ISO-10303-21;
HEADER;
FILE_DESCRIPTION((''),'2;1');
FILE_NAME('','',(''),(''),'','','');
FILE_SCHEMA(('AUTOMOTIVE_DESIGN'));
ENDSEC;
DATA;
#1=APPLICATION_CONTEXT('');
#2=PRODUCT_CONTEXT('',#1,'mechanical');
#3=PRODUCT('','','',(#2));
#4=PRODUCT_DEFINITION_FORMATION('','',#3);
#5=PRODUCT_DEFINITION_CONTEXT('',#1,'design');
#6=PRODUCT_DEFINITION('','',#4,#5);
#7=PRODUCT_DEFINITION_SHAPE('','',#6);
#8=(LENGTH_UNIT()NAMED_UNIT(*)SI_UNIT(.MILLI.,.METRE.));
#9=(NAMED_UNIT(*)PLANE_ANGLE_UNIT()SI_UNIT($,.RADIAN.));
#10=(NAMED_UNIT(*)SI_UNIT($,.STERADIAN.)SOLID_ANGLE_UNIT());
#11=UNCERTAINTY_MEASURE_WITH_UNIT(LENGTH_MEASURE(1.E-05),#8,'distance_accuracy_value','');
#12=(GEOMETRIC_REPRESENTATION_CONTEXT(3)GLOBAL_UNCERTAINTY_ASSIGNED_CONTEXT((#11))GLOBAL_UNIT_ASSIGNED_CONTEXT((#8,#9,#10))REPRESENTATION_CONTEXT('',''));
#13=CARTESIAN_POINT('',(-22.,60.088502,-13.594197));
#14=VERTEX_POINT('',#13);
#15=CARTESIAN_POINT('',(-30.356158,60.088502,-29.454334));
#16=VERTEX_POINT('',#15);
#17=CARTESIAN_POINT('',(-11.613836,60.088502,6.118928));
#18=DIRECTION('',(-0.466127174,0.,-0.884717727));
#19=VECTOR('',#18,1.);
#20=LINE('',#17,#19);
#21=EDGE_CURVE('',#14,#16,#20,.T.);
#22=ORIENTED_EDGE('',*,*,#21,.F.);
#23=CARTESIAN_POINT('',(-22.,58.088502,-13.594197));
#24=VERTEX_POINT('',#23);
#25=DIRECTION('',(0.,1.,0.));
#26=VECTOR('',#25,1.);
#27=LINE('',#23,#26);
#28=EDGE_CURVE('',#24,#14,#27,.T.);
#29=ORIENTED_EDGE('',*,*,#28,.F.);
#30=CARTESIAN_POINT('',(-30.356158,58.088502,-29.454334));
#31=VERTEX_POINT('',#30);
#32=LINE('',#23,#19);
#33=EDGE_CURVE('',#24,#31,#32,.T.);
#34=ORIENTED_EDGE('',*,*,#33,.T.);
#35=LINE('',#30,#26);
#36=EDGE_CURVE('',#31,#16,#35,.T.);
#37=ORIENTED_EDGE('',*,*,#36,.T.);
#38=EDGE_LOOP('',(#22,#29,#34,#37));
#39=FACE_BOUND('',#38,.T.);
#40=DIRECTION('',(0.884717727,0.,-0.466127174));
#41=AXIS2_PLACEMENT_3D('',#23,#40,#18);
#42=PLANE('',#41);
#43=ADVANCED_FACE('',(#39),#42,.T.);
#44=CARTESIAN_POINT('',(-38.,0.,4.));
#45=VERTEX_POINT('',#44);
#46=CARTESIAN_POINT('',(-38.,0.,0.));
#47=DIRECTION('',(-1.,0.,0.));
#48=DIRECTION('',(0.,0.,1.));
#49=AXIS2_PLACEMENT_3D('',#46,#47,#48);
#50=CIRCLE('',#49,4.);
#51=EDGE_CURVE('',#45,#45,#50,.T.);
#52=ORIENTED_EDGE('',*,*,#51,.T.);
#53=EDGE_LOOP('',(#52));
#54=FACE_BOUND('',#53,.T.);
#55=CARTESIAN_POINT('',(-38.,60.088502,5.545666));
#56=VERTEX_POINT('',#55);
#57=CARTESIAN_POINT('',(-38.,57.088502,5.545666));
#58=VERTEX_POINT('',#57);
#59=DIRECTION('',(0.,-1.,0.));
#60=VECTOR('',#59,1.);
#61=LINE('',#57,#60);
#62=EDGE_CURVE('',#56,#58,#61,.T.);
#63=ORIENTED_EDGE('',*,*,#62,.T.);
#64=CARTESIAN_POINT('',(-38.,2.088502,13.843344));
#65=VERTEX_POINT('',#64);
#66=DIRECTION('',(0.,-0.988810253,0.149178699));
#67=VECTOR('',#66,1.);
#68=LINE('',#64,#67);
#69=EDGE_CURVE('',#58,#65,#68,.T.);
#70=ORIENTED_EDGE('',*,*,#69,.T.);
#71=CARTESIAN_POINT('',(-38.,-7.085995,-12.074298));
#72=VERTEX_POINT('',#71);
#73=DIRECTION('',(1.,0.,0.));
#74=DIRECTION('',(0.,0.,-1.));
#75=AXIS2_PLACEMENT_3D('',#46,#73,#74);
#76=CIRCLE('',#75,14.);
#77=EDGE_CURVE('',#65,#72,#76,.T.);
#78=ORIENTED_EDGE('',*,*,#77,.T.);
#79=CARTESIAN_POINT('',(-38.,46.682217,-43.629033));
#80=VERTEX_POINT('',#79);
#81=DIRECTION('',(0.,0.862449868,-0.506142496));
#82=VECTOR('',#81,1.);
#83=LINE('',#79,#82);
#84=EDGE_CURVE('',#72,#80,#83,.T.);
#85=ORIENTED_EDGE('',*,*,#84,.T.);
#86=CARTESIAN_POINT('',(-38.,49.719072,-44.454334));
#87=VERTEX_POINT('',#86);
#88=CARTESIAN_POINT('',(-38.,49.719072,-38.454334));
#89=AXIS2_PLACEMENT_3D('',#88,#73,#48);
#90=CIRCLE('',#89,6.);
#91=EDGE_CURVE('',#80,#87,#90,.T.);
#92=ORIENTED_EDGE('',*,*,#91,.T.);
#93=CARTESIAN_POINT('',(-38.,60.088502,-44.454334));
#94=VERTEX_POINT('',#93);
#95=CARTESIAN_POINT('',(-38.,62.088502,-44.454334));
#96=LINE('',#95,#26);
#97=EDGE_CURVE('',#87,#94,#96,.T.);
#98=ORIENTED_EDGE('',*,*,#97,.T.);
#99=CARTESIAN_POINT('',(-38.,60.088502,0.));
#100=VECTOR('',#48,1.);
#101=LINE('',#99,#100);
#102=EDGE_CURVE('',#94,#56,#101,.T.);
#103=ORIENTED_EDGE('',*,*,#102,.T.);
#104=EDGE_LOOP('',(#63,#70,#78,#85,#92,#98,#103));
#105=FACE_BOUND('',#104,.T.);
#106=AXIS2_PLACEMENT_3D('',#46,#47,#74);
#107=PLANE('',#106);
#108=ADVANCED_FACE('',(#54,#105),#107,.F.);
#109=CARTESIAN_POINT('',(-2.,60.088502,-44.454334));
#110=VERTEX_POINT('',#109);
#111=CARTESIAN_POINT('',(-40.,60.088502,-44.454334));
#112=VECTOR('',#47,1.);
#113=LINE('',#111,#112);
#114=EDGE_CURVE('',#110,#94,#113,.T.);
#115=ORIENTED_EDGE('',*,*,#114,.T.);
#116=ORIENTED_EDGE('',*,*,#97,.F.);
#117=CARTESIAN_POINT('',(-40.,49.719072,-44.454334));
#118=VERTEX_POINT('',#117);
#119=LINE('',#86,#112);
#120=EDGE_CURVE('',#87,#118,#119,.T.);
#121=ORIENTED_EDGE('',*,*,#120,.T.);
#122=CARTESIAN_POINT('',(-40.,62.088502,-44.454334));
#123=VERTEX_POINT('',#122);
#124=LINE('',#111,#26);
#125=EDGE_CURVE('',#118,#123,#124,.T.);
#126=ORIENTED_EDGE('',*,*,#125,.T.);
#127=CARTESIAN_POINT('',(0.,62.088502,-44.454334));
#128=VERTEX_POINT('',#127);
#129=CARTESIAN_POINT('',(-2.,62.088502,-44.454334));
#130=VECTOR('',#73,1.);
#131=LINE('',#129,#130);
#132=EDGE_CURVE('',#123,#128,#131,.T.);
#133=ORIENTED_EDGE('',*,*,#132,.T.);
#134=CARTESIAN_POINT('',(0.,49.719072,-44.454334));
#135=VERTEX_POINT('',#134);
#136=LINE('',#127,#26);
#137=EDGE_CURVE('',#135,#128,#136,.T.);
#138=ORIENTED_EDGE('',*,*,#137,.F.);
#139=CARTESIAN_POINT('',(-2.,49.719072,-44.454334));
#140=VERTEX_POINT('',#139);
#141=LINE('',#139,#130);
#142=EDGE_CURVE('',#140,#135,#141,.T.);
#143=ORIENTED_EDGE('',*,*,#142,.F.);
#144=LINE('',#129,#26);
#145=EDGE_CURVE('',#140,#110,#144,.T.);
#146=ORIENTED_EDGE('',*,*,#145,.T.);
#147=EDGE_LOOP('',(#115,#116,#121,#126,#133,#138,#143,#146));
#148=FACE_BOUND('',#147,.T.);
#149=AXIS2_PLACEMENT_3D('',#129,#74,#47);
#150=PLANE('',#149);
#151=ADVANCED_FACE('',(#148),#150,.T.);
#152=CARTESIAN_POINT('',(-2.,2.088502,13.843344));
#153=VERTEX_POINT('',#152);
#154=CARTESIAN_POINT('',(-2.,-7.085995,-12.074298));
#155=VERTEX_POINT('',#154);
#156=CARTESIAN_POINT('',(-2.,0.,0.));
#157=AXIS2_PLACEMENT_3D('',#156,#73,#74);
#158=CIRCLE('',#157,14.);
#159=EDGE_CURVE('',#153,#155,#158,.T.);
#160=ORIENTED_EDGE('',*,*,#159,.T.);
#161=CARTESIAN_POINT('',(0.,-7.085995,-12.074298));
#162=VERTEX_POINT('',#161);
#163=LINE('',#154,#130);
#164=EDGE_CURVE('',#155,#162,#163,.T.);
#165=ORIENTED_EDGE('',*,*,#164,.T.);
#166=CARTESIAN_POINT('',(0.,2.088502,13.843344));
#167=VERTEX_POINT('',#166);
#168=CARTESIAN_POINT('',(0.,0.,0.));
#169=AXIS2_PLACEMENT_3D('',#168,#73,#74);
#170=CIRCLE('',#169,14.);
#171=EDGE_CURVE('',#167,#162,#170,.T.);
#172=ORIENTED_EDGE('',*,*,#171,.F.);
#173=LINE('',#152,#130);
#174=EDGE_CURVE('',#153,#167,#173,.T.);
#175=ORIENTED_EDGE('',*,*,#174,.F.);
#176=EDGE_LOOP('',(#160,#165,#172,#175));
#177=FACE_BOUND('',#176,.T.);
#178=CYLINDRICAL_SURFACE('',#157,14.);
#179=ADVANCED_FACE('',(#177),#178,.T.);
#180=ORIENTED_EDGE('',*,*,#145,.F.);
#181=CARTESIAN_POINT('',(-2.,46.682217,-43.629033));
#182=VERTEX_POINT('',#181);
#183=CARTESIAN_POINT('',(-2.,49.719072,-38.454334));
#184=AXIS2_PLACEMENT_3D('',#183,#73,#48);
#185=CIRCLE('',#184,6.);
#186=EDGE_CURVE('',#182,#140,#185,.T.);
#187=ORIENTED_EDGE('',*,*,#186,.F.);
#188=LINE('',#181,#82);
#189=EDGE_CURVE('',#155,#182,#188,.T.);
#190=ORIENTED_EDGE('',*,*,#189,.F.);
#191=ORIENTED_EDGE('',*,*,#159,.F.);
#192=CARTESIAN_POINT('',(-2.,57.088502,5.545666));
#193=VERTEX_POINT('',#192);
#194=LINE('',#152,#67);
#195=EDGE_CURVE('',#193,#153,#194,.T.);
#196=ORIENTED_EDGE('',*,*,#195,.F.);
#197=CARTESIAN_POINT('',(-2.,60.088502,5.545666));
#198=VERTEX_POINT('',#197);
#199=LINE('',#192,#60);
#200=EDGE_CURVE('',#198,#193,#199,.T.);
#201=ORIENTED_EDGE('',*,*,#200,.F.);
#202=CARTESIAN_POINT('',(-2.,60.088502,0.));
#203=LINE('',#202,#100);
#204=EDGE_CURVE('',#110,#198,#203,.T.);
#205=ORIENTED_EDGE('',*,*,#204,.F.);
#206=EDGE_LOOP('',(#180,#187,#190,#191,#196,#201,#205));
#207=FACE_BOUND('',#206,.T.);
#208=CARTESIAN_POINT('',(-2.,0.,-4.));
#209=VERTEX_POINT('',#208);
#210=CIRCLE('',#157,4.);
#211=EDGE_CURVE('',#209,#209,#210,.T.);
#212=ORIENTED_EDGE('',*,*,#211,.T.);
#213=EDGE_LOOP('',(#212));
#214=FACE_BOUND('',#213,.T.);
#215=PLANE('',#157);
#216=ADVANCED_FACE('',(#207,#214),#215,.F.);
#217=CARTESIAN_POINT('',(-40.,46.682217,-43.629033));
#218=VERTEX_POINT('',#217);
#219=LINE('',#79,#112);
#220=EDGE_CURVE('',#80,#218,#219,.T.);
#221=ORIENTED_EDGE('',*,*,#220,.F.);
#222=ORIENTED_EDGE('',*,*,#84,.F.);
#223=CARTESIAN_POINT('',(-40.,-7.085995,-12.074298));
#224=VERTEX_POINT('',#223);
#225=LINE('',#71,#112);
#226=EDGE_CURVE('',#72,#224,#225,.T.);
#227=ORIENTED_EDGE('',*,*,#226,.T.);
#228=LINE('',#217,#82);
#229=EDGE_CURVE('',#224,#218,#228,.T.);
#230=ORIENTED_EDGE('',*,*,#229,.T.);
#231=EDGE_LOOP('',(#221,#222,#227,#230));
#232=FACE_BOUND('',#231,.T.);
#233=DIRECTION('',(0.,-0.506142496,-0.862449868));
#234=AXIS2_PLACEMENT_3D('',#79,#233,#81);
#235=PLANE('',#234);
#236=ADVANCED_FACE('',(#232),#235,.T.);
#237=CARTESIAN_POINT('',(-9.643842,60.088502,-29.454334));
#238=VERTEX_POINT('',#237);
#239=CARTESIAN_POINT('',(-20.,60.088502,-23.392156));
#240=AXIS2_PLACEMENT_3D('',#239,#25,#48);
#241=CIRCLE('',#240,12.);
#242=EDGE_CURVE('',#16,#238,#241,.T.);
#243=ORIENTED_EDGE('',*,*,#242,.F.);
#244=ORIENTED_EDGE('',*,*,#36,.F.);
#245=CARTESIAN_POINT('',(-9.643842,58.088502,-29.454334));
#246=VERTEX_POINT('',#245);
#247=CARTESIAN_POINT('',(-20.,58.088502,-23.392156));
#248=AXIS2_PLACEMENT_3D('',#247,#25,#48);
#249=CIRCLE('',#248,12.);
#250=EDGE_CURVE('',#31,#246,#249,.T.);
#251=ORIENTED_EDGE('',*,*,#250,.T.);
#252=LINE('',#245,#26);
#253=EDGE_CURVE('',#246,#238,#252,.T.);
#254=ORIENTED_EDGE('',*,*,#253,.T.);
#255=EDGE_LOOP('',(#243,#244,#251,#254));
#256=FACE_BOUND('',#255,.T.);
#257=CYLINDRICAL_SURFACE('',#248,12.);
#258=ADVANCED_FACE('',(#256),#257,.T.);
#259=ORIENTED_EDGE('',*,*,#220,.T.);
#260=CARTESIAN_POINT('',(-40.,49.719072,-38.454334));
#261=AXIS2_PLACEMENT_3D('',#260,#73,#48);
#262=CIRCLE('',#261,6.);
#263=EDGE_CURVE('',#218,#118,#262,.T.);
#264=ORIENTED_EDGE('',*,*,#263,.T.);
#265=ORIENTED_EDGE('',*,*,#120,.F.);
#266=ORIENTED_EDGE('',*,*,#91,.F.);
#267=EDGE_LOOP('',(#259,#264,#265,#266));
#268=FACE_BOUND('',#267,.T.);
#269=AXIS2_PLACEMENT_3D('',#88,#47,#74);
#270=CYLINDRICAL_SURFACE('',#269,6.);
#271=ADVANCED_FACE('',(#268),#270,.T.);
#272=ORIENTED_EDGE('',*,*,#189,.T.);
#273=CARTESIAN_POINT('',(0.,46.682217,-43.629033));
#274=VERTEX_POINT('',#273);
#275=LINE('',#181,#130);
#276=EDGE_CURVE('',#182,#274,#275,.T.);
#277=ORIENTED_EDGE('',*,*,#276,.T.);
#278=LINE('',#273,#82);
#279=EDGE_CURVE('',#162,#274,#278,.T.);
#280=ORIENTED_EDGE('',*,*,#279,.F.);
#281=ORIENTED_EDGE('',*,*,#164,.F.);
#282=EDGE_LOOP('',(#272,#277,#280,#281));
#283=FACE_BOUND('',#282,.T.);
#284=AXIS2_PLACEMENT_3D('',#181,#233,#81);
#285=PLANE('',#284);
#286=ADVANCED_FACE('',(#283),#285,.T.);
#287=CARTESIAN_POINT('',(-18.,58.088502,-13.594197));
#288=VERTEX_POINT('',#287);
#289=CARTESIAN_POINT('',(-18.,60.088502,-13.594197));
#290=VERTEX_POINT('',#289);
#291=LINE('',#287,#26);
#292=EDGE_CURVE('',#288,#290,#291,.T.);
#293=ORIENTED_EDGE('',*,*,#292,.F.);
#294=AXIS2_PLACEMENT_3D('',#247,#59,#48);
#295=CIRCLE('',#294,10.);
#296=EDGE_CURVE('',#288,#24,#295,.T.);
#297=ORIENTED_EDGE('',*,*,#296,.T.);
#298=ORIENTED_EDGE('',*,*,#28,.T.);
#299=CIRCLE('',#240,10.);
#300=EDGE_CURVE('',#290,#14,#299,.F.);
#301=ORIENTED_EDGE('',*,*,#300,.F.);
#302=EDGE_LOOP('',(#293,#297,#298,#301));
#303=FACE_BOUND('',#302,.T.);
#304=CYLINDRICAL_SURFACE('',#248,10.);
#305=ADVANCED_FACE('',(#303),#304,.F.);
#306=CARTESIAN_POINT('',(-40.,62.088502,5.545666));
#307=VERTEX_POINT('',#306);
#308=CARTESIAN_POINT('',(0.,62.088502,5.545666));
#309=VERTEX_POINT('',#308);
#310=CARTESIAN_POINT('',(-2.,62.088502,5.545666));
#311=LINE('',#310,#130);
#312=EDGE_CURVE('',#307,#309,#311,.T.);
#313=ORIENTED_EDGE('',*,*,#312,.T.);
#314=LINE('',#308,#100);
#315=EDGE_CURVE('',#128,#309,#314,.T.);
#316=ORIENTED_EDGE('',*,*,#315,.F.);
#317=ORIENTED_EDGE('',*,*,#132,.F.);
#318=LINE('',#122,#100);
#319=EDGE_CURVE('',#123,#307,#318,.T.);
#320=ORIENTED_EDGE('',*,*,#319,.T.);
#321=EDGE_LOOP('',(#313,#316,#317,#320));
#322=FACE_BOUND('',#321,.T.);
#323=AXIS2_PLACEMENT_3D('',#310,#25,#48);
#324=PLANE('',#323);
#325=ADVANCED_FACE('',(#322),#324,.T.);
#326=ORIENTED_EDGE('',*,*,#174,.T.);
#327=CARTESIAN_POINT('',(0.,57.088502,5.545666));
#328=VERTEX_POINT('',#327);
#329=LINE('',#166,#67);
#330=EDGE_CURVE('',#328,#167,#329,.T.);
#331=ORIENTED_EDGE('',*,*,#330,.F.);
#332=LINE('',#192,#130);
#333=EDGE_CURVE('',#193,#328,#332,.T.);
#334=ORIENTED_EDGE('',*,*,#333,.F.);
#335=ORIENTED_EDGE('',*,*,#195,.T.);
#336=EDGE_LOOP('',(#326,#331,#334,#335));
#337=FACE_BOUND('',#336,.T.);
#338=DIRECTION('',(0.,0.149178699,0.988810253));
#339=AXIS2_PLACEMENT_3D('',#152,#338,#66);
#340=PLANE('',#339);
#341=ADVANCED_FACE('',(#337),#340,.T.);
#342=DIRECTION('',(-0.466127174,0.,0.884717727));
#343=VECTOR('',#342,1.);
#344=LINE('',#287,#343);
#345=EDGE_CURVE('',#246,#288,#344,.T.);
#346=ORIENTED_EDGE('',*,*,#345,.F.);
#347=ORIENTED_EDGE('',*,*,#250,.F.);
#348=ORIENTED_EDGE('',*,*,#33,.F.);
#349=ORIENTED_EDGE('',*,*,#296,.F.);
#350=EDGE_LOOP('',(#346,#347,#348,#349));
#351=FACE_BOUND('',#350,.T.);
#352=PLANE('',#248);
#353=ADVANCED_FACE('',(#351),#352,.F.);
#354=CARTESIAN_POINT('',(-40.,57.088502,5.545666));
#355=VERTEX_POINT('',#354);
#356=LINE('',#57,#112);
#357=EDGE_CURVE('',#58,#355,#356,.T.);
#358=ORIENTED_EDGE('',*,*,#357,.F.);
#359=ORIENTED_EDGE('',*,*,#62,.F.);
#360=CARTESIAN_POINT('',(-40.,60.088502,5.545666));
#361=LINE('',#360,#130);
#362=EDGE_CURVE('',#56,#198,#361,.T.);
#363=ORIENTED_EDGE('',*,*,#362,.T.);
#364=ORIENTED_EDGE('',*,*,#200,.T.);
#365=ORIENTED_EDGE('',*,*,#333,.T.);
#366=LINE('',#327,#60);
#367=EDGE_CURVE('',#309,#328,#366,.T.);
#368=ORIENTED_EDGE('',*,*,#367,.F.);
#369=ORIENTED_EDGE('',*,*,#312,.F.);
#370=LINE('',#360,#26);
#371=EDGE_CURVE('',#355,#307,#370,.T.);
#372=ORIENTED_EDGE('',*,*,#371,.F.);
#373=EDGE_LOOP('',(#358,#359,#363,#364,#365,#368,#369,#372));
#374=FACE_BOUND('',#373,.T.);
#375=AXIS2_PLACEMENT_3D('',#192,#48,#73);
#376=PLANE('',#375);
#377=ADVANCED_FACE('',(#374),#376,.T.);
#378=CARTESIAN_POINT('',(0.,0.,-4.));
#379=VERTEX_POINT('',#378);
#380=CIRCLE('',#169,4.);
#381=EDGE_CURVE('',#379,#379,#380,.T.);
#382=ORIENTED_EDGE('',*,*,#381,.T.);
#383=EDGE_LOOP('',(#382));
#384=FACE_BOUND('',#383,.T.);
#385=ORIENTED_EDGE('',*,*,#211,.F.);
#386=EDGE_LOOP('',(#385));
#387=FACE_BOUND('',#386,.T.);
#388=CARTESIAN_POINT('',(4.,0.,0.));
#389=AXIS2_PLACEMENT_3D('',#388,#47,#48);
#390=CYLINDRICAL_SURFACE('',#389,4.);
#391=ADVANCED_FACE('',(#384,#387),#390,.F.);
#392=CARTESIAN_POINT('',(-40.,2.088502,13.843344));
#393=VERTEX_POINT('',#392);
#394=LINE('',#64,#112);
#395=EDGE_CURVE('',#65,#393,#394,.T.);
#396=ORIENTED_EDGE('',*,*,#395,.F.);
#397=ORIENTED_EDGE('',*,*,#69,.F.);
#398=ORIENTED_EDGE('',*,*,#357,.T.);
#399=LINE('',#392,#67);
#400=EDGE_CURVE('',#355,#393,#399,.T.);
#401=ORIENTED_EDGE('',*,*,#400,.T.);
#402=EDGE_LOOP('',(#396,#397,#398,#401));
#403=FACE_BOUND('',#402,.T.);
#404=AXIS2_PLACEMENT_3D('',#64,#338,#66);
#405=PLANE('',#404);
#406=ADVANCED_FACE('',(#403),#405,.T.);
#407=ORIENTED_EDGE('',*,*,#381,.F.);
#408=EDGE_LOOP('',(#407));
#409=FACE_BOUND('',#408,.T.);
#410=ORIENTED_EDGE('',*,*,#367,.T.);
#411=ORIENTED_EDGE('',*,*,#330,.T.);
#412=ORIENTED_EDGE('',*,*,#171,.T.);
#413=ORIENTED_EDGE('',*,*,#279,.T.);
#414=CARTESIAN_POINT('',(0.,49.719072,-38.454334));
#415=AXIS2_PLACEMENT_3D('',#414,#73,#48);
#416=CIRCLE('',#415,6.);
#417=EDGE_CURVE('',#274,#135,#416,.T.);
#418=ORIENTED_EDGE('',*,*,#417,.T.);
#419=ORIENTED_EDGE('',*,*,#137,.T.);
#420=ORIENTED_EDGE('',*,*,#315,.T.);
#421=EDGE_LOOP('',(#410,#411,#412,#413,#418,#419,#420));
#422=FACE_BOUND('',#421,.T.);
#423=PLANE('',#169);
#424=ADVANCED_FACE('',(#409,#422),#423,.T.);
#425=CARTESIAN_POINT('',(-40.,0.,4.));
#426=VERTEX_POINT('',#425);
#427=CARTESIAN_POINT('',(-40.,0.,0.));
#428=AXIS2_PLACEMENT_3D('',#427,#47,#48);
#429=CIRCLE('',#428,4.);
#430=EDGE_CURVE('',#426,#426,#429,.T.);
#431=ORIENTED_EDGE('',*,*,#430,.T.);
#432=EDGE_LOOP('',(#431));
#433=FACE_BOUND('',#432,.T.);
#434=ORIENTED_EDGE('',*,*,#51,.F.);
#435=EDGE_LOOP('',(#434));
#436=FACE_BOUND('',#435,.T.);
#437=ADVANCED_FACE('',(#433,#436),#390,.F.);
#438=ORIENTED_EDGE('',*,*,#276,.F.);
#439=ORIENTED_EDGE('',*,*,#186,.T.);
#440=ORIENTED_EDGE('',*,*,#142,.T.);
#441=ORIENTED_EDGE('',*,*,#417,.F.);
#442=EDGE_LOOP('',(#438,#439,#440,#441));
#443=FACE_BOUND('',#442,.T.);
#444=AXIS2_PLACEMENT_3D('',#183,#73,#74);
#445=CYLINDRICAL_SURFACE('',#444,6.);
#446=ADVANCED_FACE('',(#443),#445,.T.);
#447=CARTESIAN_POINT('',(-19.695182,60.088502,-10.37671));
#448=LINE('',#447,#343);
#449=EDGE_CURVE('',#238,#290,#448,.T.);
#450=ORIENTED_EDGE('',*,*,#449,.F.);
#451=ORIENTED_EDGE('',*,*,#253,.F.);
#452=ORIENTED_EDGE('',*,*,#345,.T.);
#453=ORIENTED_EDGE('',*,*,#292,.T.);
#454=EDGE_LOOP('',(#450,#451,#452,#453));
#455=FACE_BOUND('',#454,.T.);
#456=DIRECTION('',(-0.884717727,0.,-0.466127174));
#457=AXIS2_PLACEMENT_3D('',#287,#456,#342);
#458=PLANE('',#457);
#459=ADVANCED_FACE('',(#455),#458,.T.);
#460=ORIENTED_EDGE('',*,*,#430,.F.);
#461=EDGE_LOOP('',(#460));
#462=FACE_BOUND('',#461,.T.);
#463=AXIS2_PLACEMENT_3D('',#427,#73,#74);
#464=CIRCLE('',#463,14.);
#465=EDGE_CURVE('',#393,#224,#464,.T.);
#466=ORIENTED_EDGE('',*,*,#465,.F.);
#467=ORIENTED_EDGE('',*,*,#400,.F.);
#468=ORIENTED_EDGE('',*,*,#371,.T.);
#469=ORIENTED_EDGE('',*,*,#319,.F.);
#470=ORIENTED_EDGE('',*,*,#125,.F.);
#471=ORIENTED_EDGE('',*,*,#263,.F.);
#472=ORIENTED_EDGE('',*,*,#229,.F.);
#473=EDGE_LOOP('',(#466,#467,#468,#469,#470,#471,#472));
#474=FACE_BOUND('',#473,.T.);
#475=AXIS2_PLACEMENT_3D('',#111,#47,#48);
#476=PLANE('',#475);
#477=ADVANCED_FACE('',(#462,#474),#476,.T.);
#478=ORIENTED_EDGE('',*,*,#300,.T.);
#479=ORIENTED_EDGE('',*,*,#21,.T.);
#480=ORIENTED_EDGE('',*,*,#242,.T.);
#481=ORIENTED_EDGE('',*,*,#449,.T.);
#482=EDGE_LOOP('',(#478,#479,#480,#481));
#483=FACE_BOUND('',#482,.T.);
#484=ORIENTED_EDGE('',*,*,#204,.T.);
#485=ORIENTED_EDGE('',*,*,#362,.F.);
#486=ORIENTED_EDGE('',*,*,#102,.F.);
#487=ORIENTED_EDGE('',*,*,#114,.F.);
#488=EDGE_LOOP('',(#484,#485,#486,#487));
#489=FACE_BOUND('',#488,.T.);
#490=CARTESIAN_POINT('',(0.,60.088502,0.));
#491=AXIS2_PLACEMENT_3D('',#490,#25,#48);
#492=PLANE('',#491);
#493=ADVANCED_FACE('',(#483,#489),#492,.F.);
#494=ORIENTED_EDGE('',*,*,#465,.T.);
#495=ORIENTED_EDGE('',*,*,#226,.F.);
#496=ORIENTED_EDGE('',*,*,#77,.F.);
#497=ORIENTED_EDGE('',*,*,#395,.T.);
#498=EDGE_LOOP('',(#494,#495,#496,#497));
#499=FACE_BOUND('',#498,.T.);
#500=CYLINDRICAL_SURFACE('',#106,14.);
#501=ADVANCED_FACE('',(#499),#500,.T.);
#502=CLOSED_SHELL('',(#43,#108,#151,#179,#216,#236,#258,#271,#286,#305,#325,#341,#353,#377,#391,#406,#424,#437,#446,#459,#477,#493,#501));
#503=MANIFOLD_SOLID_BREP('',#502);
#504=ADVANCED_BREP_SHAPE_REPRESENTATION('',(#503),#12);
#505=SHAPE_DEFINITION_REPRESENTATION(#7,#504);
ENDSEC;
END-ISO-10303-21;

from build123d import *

# Parameters (mm, degrees)
BOSS_EXTRUDE1_DEPTH = 2
SKETCH2_W           = 40
SKETCH2_H           = 50
BOSS_EXTRUDE2_DEPTH = 2
BOSS_EXTRUDE3_DEPTH = 4
SKETCH5_R           = 4
CUT_EXTRUDE2_DEPTH  = 44


with BuildPart() as part:
    # Sketch1 → Boss-Extrude1 (new body)
    with BuildSketch(Plane(origin=(0, 0, 0), x_dir=(0, 0, -1), z_dir=(1, 0, 0))):
        with BuildLine():
            Line((-13.843343537, 2.088501785), (-5.545666183, 57.088501785))
            Line((-5.545666183, 57.088501785), (-5.545666183, 62.088501785))
            Line((-5.545666183, 62.088501785), (44.454333817, 62.088501785))
            Line((44.454333817, 62.088501785), (44.454333817, 49.719071836))
            ThreePointArc((44.454333817, 49.719071836), (44.244333611, 48.145571793), (43.629033022, 46.682216861))
            Line((43.629033022, 46.682216861), (12.074298145, -7.085994941))
            ThreePointArc((12.074298145, -7.085994941), (-4.671747847, -13.197529013), (-13.843343537, 2.088501785))
        make_face()
    extrude(amount=-BOSS_EXTRUDE1_DEPTH)


with BuildPart() as body_2:
    # Mirror1: mirrored copy
    add(part.part.mirror(Plane(origin=(-20, 0, 0), x_dir=(0, 0, 1), z_dir=(1, 0, 0))))


with BuildPart() as part_1:
    add(part.part)

    add(body_2.part)  # Boss-Extrude2 merges body 2
    # Sketch2 → Boss-Extrude2 (add)
    with BuildSketch(Plane(origin=(0, 62.088501785, 0), x_dir=(1, 0, 0), z_dir=(0, 1, 0))):
        with Locations((-20, 19.454333817)):
            Rectangle(SKETCH2_W, SKETCH2_H)
    extrude(amount=-BOSS_EXTRUDE2_DEPTH)

    # Sketch3 → Boss-Extrude3 (add)
    with BuildSketch(Plane(origin=(0, 62.088501785, 0), x_dir=(1, 0, 0), z_dir=(0, 1, 0))):
        with BuildLine():
            Line((-18, 13.59419702), (-9.643842411, 29.454333817))
            ThreePointArc((-9.643842411, 29.454333817), (-20, 11.392155991), (-30.356157589, 29.454333817))
            Line((-30.356157589, 29.454333817), (-22, 13.59419702))
            ThreePointArc((-22, 13.59419702), (-20, 13.392155991), (-18, 13.59419702))
        make_face()
    extrude(amount=-BOSS_EXTRUDE3_DEPTH)

    # Sketch5 → Cut-Extrude2 (cut)
    with BuildSketch(Plane(origin=(0, 0, 0), x_dir=(0, 0, -1), z_dir=(1, 0, 0))):
        with Locations(Location((0, 0, 0), (0, 0, 180))):
            Circle(SKETCH5_R)
    extrude(amount=-CUT_EXTRUDE2_DEPTH, mode=Mode.SUBTRACT)


solid = part_1.part
